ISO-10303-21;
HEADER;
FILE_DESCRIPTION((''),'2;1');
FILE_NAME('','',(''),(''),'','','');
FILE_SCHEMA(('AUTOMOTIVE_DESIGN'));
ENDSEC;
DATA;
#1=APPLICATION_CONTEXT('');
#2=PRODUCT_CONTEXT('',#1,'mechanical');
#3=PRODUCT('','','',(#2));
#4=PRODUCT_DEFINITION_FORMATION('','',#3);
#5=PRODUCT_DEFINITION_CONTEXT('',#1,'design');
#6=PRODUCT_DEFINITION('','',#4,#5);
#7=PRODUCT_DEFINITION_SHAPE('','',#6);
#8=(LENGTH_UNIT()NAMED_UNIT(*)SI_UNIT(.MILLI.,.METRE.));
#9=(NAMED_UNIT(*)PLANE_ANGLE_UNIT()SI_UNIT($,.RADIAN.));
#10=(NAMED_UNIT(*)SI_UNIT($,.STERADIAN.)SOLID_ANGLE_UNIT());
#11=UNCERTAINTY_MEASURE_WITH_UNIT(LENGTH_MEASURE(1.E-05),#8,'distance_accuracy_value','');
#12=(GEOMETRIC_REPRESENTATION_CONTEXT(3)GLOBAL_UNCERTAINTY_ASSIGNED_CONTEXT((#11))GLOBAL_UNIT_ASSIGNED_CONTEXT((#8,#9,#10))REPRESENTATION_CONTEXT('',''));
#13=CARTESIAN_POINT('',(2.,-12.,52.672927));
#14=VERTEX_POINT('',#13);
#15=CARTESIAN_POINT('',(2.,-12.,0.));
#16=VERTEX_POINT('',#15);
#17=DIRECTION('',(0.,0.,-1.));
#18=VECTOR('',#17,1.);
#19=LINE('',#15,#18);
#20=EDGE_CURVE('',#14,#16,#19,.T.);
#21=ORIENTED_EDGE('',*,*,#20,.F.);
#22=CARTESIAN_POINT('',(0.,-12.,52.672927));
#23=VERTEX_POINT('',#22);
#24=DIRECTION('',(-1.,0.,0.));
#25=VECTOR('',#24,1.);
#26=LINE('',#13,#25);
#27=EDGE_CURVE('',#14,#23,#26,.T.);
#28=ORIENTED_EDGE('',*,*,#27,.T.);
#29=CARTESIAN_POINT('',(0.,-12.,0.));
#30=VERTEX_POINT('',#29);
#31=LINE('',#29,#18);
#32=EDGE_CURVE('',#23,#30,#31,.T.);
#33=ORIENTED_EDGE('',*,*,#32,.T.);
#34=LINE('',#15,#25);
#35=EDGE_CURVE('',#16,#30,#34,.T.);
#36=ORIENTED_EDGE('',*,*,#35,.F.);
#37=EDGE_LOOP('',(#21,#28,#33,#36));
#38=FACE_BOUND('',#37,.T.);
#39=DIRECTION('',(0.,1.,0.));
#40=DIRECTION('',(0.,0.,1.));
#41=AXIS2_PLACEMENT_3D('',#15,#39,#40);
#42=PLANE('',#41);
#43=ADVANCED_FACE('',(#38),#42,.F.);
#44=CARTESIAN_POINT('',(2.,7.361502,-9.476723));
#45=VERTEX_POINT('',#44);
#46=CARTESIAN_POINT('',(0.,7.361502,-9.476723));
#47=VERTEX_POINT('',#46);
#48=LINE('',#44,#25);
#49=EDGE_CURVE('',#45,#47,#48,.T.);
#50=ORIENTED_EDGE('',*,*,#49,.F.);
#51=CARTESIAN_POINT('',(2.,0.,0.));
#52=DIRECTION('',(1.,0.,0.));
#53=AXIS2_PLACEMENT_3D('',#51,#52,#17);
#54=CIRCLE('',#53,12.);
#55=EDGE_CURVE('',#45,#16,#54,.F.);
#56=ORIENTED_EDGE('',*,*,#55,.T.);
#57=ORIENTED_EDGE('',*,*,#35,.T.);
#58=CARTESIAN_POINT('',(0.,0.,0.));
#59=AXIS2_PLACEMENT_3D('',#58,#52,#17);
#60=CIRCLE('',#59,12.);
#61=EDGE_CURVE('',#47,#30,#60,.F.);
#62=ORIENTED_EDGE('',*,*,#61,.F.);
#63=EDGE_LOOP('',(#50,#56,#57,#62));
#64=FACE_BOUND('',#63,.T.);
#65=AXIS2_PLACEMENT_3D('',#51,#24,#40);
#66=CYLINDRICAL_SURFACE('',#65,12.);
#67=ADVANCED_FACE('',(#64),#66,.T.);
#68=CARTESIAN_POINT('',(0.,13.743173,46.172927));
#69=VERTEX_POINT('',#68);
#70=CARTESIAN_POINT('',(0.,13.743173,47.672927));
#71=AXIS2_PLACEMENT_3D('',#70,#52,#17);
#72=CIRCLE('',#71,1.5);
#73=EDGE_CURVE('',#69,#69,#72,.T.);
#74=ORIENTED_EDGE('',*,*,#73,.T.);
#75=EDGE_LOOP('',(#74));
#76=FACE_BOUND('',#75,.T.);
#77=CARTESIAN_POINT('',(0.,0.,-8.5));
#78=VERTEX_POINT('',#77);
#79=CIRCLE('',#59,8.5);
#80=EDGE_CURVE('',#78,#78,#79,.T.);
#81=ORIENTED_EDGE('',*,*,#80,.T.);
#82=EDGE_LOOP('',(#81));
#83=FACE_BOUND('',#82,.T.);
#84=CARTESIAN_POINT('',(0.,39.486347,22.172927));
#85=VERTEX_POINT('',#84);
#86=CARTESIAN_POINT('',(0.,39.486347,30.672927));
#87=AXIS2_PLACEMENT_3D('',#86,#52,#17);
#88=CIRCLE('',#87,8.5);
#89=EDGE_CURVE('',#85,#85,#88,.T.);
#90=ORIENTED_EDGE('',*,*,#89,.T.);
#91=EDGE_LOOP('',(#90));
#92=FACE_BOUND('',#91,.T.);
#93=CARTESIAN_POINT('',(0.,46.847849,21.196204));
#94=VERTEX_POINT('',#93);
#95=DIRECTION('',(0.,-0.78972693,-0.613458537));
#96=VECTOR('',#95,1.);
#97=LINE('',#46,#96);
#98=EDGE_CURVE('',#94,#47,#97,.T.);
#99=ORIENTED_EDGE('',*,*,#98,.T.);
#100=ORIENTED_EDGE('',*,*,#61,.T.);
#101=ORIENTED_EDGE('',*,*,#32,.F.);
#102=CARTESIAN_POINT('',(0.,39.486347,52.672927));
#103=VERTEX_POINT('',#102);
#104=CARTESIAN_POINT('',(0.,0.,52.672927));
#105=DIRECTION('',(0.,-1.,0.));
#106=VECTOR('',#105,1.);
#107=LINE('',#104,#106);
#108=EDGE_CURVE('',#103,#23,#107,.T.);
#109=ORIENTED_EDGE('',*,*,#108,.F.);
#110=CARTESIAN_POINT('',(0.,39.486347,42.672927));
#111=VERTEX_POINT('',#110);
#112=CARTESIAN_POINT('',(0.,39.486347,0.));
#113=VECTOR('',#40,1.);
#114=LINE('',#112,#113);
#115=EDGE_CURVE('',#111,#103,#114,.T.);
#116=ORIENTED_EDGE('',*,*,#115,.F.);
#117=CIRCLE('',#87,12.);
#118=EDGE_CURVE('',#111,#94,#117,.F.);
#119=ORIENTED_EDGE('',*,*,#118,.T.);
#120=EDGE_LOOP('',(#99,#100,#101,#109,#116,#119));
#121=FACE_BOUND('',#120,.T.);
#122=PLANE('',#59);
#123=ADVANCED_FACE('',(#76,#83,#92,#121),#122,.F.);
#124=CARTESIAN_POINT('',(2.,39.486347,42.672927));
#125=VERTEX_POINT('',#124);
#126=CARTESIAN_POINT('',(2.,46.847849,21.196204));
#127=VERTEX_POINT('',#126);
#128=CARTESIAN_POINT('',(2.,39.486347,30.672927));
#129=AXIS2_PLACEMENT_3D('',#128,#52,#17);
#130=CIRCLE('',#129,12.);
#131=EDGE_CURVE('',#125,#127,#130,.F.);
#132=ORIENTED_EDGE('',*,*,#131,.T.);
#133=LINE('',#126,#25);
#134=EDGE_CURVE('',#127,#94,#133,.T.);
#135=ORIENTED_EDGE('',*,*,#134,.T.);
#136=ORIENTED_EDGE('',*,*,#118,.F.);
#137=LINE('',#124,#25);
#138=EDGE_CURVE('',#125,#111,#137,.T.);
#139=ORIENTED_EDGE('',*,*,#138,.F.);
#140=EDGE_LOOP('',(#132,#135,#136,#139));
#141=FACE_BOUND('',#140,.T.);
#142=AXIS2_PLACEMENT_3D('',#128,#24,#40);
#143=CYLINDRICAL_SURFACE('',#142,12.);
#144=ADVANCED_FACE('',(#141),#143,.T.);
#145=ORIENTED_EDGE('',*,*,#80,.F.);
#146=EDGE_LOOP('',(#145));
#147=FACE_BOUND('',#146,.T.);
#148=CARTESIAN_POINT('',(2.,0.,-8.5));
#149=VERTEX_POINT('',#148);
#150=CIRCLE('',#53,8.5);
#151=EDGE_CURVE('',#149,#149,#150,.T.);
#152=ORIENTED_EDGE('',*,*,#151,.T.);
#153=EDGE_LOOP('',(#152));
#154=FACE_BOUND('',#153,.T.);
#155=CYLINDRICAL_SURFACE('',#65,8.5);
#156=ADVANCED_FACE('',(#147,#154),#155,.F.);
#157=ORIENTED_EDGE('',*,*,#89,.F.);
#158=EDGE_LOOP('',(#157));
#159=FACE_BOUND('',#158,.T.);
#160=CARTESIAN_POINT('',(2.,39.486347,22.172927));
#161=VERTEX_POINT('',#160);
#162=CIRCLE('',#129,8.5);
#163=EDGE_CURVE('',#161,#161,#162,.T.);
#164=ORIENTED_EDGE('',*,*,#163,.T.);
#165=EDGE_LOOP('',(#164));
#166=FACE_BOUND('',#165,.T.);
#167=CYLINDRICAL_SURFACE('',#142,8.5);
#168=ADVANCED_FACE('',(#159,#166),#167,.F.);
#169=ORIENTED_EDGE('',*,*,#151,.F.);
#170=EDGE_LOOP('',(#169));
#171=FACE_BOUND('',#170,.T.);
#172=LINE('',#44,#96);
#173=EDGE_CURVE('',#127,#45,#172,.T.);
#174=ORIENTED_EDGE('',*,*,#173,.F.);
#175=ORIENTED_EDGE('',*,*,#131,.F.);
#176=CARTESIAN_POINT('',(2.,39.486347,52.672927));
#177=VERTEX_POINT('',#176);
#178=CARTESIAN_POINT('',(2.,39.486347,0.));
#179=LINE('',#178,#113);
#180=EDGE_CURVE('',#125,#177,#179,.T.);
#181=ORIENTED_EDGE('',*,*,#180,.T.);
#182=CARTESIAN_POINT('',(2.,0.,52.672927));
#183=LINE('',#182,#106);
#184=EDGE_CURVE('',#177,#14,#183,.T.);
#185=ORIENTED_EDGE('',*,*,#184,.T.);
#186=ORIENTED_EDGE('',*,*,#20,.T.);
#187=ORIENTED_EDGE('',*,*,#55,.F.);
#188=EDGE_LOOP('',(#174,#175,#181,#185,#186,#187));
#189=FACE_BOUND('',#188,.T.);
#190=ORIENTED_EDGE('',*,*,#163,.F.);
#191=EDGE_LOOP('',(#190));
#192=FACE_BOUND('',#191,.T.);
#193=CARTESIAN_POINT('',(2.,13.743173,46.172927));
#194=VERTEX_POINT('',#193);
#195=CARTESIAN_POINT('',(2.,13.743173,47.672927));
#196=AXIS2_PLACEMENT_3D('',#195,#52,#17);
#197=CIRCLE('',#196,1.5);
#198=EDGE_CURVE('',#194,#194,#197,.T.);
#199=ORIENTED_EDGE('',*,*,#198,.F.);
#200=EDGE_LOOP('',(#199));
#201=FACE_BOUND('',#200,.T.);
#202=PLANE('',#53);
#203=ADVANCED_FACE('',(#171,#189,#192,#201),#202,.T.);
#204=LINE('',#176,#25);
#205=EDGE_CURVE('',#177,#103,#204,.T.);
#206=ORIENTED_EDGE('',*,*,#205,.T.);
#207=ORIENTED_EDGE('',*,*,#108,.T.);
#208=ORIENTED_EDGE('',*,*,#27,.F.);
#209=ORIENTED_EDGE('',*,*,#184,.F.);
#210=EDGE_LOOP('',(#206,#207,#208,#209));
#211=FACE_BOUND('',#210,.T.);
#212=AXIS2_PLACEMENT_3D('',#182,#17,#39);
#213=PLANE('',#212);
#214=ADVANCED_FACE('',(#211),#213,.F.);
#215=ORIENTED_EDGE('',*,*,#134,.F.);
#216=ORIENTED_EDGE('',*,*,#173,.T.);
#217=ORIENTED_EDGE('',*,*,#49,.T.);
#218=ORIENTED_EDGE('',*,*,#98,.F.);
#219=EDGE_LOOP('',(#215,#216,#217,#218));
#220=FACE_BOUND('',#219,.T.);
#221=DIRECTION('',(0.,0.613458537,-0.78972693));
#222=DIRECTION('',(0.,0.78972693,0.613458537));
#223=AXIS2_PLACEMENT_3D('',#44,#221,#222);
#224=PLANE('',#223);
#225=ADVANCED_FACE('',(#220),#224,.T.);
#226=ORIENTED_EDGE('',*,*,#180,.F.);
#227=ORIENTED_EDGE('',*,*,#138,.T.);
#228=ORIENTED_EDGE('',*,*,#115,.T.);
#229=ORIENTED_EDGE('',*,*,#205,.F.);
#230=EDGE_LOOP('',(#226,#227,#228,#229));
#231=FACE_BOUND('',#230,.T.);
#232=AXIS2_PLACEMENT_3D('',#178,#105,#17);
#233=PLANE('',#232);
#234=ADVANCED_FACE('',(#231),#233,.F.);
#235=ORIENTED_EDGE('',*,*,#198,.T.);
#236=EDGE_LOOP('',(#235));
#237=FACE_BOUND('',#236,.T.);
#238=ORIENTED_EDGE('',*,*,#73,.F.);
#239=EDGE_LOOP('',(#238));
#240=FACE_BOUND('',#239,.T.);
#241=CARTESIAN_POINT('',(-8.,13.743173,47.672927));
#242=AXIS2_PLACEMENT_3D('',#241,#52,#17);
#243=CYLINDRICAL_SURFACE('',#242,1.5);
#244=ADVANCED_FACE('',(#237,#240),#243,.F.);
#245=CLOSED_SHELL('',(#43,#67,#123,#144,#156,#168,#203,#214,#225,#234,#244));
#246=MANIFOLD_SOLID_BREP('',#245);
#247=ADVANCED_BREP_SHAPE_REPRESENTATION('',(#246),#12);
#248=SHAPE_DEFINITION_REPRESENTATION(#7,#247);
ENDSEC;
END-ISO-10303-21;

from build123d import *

# Parameters (mm, degrees)
SKETCH_1_R          = 8.5
EXTRUDE_1_DEPTH     = 2
SKETCH_2_R          = 1.5
CUT_EXTRUDE_1_DEPTH = 10


with BuildPart() as part:
    # 草图1 → 凸台-拉伸1 (new body)
    with BuildSketch(Plane(origin=(0, 0, 0), x_dir=(0, 0, -1), z_dir=(1, 0, 0))):
        with BuildLine():
            ThreePointArc((9.47672316, 7.361502438), (10.778173065, -5.275508068), (0, -12))
            Line((0, -12), (-52.672926825, -12))
            Line((-52.672926825, -12), (-52.672926825, 39.486346501))
            Line((-52.672926825, 39.486346501), (-42.672926825, 39.486346501))
            ThreePointArc((-42.672926825, 39.486346501), (-34.56389856, 50.838013293), (-21.196203665, 46.847848939))
            Line((-21.196203665, 46.847848939), (9.47672316, 7.361502438))
        make_face()
        with Locations((-30.672926825, 39.486346501)):
            Circle(SKETCH_1_R, mode=Mode.SUBTRACT)
        Circle(SKETCH_1_R, mode=Mode.SUBTRACT)
    extrude(amount=EXTRUDE_1_DEPTH)

    # 草图2 → 切除-拉伸1 (cut)
    with BuildSketch(Plane(origin=(2, 0, 0), x_dir=(0, 0, -1), z_dir=(1, 0, 0))):
        with Locations((-47.672926825, 13.74317325)):
            Circle(SKETCH_2_R)
    extrude(amount=-CUT_EXTRUDE_1_DEPTH, mode=Mode.SUBTRACT)


solid = part.part
